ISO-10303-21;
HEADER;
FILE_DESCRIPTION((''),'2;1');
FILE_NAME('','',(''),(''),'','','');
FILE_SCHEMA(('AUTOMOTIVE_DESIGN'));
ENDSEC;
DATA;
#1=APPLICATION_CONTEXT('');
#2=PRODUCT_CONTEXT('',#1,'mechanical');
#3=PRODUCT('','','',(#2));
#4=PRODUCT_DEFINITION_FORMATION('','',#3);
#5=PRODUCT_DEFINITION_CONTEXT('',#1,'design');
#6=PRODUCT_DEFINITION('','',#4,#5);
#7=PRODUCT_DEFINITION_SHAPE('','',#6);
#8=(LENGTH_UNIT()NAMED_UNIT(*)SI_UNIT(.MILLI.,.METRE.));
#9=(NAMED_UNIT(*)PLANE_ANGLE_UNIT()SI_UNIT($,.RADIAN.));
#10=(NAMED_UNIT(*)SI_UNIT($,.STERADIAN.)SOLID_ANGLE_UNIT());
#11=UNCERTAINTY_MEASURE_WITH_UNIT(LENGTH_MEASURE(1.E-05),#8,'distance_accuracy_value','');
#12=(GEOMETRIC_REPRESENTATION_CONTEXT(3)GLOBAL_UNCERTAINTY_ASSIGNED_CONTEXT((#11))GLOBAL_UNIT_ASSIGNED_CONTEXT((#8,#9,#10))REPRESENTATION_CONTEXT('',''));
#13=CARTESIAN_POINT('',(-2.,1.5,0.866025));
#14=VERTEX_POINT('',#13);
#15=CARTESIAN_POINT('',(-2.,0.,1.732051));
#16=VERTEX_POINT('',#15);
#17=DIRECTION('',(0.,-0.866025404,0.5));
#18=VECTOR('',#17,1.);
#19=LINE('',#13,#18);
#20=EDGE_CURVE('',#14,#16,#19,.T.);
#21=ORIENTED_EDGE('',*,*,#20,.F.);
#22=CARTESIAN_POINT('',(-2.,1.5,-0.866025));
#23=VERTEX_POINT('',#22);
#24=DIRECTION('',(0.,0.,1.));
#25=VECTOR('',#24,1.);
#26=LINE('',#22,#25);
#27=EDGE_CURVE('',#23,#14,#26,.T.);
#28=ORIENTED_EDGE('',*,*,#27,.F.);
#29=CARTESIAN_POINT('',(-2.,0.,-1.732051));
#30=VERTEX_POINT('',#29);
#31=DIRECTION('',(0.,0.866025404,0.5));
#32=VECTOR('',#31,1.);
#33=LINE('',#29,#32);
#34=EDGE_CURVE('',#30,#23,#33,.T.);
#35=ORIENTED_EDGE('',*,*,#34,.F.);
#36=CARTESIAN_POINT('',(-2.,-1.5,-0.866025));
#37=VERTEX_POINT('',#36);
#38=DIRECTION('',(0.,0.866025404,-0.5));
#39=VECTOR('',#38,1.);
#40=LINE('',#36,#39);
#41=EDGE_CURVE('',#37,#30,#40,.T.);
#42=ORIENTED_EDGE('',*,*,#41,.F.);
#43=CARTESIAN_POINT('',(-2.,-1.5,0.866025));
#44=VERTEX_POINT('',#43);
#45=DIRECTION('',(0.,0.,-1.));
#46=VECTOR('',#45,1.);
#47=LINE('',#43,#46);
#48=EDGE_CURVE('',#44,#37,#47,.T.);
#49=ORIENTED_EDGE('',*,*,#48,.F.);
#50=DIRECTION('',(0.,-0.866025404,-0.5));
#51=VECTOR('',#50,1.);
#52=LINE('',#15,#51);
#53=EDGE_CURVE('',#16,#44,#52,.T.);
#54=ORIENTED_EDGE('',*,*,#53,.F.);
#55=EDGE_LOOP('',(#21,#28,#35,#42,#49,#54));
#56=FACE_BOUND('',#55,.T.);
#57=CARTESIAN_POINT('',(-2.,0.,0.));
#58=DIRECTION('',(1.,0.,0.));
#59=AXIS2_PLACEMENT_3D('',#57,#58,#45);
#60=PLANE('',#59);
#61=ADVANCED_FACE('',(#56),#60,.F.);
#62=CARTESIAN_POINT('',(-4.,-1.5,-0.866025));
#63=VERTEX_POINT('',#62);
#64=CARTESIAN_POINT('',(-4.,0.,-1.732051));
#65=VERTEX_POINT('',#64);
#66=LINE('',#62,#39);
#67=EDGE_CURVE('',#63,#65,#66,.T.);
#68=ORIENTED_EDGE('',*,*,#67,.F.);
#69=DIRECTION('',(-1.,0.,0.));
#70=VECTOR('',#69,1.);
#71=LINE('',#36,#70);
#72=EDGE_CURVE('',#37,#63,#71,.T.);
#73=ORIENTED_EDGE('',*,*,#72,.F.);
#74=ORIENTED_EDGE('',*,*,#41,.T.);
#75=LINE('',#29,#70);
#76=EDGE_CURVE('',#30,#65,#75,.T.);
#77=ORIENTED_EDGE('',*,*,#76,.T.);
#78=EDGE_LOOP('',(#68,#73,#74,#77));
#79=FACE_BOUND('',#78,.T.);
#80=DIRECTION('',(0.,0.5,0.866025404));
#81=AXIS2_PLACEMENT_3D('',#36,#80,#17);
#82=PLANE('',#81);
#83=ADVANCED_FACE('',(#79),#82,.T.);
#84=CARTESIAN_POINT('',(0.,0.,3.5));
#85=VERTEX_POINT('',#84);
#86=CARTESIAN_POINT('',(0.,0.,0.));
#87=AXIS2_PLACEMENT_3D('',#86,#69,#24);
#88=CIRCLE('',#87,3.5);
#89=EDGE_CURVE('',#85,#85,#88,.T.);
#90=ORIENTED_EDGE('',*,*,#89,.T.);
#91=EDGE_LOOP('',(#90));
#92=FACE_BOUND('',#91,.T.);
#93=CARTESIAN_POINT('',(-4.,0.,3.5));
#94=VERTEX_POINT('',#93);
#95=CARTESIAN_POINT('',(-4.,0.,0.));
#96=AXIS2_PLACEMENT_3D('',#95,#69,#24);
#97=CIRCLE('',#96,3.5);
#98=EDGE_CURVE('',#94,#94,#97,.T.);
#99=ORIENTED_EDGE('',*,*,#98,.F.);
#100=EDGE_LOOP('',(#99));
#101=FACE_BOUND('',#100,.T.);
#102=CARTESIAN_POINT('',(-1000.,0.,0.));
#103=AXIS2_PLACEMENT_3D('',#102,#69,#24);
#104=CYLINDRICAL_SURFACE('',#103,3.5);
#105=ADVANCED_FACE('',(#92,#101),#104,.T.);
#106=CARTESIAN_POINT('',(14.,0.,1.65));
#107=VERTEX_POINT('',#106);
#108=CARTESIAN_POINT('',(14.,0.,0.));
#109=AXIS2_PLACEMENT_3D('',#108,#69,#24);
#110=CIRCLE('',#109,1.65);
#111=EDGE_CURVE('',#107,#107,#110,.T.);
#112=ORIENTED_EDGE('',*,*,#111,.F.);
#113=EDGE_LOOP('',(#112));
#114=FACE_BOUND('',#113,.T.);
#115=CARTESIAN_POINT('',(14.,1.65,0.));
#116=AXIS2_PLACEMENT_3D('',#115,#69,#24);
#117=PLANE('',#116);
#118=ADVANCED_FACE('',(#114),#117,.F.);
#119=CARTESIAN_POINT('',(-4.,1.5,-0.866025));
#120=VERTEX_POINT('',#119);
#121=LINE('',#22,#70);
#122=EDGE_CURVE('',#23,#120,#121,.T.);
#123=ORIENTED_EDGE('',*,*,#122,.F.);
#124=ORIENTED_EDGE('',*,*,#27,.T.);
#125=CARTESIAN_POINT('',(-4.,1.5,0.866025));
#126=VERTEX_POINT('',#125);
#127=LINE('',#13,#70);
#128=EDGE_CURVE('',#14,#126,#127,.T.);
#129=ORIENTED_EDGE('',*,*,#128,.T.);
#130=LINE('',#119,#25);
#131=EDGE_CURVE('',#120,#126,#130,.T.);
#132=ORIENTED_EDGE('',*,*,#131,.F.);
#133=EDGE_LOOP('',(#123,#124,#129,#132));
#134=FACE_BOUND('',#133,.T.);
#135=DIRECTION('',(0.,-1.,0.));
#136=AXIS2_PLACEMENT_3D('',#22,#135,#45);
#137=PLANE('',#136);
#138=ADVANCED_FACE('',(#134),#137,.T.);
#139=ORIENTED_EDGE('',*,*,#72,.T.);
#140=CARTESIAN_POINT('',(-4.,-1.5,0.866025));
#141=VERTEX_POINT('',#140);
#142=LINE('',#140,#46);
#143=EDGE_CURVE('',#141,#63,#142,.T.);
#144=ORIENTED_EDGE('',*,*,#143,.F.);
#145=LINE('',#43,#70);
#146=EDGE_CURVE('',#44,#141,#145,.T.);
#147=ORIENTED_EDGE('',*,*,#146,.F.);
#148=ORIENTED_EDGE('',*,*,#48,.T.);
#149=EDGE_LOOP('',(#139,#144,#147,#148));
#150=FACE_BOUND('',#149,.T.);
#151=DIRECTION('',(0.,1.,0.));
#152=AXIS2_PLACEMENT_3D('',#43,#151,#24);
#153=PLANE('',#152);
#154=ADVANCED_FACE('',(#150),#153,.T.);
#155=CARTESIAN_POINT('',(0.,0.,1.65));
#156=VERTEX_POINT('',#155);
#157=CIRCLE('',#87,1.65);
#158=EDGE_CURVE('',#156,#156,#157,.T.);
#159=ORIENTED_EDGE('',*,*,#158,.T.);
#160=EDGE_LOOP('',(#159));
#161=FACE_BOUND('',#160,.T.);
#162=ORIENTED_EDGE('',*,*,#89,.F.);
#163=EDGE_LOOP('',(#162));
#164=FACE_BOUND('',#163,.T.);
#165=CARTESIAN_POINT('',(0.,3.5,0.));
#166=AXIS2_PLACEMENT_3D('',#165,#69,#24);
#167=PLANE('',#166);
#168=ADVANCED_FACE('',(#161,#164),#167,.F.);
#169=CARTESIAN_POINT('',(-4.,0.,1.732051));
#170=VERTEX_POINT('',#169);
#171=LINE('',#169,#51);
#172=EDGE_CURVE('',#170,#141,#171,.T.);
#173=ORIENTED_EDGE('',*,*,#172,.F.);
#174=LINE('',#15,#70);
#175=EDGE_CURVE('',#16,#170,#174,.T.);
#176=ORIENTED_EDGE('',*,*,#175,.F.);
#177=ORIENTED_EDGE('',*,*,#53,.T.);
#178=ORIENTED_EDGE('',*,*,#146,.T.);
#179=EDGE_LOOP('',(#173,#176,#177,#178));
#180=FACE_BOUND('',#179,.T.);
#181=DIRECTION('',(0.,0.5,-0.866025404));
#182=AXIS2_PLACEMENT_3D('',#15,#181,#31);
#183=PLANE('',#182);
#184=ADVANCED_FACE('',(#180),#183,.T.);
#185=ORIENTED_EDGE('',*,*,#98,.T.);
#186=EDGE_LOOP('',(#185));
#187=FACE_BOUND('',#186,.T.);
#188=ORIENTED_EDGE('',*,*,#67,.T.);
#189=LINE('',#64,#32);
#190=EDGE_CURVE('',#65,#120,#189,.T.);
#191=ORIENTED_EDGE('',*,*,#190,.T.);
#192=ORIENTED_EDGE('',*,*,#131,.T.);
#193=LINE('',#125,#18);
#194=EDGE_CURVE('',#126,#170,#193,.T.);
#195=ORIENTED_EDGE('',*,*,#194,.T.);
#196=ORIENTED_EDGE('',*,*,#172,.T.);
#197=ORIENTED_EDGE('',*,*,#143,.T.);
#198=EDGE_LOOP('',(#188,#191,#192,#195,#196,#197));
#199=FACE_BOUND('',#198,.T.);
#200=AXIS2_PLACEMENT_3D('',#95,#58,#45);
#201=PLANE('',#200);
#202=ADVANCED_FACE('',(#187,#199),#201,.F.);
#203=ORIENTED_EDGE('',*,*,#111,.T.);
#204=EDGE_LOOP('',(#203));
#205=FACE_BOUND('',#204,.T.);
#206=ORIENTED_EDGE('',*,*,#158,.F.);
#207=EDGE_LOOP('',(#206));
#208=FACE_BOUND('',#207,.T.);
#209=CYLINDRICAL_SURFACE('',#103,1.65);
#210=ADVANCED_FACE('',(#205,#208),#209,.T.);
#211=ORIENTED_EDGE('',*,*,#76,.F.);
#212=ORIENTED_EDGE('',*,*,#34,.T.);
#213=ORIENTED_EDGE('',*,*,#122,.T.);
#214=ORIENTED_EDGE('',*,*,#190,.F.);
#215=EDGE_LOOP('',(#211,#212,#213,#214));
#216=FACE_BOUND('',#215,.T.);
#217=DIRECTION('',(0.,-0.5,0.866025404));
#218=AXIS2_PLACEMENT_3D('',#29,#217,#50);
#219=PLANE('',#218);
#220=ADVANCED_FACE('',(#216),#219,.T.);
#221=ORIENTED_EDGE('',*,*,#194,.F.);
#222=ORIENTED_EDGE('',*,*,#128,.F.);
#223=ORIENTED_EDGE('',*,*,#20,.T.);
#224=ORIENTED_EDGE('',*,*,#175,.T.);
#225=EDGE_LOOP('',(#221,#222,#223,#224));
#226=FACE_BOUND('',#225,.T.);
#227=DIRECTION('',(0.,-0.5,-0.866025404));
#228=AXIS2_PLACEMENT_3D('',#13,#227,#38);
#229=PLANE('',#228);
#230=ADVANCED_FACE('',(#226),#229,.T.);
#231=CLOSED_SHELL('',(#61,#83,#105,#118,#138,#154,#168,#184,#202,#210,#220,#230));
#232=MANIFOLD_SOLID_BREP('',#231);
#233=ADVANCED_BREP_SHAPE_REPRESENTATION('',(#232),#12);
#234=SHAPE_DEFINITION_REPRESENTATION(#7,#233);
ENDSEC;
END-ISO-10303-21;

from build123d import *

# Parameters (mm, degrees)
SOCKET_DEPTH = 2


with BuildPart() as part:
    # Screw Sketch → Screw (revolve)
    with BuildSketch(Plane.XY):
        Polygon((-4, 0), (-4, 3.5), (0, 3.5), (0, 1.65), (14, 1.65), (14, 0), align=None)
    revolve(axis=Axis((-1000, 0, 0), (1, 0, 0)))

    # Socket Sketch → Socket (cut)
    with BuildSketch(Plane(origin=(-4, 0, 0), x_dir=(0, 0, -1), z_dir=(1, 0, 0))):
        Polygon((1.732050808, 0), (0.866025404, 1.5), (-0.866025404, 1.5), (-1.732050808, 0), (-0.866025404, -1.5), (0.866025404, -1.5), align=None)
    extrude(amount=SOCKET_DEPTH, mode=Mode.SUBTRACT)


solid = part.part
